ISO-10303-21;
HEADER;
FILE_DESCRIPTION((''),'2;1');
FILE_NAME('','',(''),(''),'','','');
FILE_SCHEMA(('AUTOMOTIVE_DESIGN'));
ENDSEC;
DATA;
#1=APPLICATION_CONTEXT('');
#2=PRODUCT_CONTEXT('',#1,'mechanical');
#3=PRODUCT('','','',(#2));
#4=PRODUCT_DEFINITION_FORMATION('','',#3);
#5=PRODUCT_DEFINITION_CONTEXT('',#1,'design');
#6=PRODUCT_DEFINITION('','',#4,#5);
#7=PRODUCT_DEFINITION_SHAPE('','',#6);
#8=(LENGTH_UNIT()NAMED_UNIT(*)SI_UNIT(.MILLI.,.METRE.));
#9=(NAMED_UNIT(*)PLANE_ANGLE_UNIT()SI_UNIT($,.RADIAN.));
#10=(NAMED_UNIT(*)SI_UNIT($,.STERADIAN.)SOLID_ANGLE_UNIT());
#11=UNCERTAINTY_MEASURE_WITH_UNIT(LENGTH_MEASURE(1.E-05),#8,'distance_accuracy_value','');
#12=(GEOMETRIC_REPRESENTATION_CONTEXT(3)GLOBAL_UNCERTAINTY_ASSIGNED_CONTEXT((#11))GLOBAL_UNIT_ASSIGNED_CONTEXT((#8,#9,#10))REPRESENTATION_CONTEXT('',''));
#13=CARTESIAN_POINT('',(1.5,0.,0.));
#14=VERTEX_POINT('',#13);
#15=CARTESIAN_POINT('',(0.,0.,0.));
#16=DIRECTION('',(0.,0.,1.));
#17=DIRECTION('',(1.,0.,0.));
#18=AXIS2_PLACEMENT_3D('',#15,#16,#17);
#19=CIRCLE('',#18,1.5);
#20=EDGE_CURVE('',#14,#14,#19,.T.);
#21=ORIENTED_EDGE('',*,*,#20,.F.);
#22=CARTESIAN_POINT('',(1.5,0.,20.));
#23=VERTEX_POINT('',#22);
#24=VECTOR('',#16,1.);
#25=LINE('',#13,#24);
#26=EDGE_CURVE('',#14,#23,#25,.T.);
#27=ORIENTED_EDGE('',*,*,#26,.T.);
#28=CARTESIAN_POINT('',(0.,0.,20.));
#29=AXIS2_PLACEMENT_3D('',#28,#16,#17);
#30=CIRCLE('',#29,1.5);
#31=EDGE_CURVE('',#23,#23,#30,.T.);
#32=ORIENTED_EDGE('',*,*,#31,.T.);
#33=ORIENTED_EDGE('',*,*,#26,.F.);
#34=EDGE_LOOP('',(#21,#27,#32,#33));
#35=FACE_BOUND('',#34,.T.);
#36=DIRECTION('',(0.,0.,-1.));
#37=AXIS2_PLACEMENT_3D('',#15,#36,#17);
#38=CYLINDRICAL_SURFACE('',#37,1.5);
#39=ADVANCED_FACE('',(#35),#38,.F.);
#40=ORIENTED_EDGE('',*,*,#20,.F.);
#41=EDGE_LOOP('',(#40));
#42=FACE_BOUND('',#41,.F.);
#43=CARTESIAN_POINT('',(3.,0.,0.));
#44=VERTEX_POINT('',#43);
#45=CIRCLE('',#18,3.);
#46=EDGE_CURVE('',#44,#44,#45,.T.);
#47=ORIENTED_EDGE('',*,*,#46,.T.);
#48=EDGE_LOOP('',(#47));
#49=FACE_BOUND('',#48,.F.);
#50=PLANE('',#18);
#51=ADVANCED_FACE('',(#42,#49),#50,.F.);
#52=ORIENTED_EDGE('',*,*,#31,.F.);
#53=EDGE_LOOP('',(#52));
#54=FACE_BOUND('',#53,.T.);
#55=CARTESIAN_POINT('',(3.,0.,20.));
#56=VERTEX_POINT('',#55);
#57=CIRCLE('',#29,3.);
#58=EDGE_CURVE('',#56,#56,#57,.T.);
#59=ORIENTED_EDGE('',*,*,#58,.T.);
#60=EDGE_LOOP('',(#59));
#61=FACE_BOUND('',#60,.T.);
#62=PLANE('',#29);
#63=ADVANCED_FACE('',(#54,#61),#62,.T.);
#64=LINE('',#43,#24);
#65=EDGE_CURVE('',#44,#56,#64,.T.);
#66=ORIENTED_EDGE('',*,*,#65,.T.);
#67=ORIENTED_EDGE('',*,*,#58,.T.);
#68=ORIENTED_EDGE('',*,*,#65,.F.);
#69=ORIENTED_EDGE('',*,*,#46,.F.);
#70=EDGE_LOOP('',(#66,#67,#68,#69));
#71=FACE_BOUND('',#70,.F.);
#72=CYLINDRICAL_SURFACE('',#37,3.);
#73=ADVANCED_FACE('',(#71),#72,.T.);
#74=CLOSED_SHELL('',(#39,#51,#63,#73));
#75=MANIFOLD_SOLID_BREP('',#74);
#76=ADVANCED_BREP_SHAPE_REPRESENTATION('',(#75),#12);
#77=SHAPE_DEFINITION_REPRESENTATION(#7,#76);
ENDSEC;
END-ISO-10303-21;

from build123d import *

# Parameters (mm, degrees)
ESQUISSE1_R   = 3
ESQUISSE1_R_2 = 1.5
MAIN_DEPTH    = 20


with BuildPart() as part:
    # Esquisse1 → Main (new body)
    with BuildSketch(Plane.XY):
        Circle(ESQUISSE1_R)
        Circle(ESQUISSE1_R_2, mode=Mode.SUBTRACT)
    extrude(amount=MAIN_DEPTH)


solid = part.part
